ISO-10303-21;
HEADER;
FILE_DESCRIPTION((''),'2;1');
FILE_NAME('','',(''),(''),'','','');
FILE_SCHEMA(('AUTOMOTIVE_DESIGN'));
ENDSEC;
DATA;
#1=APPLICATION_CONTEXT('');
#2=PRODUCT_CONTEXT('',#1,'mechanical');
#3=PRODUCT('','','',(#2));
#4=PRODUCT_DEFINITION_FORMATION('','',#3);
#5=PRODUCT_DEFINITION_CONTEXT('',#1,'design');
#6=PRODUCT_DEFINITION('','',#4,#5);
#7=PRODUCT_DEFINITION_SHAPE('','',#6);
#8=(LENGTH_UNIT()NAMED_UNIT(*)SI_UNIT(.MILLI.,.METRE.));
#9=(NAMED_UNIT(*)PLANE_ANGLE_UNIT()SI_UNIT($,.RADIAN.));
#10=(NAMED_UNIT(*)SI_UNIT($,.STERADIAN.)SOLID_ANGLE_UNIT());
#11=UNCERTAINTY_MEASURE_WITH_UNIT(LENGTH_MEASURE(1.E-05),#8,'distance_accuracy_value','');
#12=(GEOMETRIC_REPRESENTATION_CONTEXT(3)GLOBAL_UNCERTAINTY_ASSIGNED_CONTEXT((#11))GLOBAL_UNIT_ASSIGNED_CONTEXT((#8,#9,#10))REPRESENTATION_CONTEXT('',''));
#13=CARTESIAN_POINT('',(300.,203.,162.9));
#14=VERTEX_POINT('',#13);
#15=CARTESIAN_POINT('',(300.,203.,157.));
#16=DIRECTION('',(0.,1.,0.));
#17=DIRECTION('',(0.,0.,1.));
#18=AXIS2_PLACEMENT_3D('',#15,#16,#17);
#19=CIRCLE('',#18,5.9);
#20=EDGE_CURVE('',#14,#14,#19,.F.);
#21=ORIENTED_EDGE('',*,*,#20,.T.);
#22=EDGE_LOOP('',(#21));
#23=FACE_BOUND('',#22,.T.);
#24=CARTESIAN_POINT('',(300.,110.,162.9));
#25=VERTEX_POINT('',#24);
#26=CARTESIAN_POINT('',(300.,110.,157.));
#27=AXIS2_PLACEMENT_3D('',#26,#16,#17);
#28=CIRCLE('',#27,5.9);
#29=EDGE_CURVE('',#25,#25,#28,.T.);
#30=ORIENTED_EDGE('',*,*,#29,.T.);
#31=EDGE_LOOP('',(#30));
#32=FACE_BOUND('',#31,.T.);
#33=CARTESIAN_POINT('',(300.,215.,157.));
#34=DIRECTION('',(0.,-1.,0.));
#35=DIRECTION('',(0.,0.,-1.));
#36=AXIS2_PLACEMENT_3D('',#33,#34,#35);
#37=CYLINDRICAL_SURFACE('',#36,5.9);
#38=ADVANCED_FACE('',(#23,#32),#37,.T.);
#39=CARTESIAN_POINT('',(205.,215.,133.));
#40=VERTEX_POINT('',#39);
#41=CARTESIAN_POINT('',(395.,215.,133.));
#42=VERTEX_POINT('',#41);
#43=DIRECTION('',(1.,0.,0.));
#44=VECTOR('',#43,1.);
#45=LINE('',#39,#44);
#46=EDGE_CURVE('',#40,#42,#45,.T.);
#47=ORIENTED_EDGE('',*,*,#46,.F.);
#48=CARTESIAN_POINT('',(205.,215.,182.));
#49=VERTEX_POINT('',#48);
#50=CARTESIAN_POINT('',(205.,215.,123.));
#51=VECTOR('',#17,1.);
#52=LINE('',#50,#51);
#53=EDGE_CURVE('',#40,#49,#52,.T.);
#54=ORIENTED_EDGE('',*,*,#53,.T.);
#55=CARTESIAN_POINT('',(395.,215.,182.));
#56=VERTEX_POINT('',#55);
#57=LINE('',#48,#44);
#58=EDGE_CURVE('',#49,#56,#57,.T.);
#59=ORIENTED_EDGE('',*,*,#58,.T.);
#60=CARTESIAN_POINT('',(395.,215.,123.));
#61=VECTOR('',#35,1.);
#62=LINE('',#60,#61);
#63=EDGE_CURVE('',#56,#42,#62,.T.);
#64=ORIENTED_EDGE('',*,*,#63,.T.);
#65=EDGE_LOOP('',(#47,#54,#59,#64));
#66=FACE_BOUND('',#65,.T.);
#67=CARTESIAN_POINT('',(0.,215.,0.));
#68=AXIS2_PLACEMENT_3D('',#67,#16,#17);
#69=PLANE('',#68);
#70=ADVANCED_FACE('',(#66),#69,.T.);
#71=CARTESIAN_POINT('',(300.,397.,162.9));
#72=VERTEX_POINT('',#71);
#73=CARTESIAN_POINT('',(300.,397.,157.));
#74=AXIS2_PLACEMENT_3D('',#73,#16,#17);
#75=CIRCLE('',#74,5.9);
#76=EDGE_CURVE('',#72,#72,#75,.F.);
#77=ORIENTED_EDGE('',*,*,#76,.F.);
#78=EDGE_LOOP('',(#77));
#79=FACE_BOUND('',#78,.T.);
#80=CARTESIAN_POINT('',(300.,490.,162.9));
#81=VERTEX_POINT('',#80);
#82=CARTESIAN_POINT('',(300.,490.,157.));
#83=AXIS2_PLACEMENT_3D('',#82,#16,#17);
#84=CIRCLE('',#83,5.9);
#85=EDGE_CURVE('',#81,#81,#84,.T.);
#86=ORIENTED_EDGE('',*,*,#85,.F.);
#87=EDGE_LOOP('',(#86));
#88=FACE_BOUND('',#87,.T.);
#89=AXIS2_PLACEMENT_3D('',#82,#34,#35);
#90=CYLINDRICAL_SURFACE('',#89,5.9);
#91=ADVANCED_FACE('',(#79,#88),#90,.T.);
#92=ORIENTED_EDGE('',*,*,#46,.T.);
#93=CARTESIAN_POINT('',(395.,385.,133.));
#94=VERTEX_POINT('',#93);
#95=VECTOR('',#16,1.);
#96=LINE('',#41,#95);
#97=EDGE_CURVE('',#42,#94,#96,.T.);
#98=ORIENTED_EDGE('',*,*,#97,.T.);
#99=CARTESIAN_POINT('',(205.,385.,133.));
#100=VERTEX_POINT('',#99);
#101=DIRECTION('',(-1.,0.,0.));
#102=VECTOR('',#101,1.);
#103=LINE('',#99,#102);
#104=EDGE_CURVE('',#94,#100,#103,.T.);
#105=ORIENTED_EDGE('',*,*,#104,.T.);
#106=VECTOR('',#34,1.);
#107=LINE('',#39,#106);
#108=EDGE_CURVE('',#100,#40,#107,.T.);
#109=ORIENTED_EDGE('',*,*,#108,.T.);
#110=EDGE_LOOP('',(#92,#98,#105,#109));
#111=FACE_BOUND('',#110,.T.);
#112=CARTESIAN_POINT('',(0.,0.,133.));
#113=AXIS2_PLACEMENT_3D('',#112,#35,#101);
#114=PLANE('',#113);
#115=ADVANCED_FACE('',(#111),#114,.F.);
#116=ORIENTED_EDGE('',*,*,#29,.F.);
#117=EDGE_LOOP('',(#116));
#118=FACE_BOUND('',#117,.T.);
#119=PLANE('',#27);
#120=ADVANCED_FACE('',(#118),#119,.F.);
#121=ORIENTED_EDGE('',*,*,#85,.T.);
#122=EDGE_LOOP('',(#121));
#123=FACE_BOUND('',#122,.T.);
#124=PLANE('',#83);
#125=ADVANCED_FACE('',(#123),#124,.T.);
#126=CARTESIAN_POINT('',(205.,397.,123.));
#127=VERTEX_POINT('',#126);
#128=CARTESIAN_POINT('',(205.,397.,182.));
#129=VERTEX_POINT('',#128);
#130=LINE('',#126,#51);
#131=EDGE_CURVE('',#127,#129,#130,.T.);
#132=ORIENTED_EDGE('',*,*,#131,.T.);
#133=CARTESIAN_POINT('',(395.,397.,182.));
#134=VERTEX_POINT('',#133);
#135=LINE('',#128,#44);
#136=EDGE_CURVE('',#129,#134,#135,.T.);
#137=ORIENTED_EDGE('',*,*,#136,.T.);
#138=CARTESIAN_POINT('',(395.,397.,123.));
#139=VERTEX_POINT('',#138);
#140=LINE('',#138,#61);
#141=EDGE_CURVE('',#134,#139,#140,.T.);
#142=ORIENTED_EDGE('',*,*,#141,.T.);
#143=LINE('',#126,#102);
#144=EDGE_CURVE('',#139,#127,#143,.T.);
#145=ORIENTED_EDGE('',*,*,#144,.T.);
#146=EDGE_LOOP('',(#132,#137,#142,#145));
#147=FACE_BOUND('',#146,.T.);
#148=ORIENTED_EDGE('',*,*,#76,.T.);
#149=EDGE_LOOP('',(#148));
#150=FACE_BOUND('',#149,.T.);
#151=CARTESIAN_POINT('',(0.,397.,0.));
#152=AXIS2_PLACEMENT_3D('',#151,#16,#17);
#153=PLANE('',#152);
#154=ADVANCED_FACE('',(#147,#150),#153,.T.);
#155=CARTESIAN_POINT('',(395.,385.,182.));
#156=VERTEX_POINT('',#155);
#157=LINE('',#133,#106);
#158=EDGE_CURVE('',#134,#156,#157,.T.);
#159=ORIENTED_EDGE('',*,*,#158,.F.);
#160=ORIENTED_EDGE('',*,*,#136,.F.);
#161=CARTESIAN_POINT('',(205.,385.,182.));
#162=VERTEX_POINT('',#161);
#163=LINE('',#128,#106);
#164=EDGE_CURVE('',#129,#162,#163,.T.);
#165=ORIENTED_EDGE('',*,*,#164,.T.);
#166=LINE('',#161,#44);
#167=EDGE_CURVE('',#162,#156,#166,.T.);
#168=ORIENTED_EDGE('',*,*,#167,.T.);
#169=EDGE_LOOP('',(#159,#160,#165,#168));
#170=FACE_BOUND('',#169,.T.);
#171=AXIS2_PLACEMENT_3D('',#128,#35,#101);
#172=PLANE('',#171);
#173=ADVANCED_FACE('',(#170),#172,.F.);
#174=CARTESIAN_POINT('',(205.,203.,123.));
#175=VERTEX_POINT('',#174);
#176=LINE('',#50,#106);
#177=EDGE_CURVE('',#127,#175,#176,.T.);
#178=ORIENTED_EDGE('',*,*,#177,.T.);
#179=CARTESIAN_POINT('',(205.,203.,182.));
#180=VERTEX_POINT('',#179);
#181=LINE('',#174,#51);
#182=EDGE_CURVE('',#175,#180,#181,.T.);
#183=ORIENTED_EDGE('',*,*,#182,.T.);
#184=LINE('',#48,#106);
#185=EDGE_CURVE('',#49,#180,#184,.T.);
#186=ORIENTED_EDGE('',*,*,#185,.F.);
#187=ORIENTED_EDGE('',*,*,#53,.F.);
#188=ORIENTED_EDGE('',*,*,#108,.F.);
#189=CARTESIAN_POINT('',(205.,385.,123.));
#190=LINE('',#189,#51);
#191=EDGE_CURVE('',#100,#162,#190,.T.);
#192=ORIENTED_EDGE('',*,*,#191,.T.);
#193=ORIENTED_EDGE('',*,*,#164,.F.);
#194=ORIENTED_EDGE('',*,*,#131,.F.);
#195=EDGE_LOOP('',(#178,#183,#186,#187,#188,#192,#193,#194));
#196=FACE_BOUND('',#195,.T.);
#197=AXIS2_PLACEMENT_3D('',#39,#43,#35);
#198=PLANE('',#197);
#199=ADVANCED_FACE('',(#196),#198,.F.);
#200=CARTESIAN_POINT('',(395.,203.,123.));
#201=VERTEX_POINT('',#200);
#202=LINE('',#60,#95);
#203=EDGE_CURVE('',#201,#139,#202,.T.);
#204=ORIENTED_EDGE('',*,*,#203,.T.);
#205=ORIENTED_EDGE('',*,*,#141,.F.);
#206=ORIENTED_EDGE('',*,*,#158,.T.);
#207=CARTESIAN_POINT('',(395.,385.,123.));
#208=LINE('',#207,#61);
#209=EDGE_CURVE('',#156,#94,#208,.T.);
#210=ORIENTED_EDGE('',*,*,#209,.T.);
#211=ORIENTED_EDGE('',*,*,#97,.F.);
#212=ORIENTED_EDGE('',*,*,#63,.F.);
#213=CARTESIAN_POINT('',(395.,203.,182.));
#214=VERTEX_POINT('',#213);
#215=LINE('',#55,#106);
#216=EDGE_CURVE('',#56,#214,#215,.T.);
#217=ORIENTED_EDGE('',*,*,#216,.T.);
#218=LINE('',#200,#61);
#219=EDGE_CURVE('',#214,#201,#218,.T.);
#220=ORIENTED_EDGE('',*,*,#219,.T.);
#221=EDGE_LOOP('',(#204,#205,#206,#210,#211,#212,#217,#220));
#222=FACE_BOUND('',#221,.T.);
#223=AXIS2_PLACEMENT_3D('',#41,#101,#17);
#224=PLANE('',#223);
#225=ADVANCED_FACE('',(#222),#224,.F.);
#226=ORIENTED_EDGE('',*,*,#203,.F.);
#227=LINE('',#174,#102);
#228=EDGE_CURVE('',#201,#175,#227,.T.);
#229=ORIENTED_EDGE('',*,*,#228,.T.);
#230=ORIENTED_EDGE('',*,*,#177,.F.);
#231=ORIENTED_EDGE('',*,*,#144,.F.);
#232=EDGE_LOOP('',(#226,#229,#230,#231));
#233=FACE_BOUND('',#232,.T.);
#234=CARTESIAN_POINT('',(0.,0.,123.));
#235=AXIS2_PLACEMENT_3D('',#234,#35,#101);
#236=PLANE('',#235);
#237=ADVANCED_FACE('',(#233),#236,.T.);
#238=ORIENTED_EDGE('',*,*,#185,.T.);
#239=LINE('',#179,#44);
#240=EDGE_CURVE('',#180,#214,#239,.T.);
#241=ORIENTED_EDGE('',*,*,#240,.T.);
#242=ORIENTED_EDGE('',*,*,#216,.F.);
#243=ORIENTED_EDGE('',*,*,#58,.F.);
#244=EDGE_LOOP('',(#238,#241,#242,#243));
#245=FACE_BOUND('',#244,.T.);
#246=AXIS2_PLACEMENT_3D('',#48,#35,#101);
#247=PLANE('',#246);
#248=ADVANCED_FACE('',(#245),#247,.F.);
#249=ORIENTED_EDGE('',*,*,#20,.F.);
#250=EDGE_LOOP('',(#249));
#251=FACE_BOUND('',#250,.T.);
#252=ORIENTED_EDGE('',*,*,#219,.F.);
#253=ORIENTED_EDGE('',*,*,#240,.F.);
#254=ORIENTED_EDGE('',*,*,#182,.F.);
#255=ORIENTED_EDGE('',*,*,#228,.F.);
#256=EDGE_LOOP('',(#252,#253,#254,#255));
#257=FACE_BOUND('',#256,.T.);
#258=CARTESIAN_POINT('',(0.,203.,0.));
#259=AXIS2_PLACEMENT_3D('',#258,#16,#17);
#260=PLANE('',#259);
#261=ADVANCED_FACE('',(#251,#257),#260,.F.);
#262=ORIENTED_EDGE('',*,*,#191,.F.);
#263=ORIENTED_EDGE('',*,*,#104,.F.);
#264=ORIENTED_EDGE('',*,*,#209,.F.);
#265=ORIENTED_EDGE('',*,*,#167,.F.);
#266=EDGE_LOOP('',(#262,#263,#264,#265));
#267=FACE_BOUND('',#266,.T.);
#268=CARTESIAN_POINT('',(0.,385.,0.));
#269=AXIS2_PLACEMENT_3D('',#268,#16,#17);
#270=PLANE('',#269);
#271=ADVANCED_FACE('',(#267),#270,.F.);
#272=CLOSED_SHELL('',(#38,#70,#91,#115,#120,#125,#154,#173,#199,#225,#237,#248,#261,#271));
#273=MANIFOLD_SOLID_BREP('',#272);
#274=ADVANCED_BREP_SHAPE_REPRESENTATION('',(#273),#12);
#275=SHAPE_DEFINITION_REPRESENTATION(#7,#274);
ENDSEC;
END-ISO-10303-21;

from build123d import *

# Parameters (mm, degrees)
SKETCH1_W           = 190
SKETCH1_H           = 170
BOSS_EXTRUDE1_DEPTH = 10
SKETCH2_W           = 190
SKETCH2_H           = 59
BOSS_EXTRUDE2_DEPTH = 12
SKETCH3_W           = 190
SKETCH3_H           = 59
BOSS_EXTRUDE3_DEPTH = 12
SKETCH4_R           = 5.9
BOSS_EXTRUDE4_DEPTH = 105
SKETCH5_R           = 5.9
BOSS_EXTRUDE5_DEPTH = 105


with BuildPart() as part:
    # Sketch1 → Boss-Extrude1 (new body)
    with BuildSketch(Plane.XY.offset(123)):
        with Locations((300, 300)):
            Rectangle(SKETCH1_W, SKETCH1_H)
    extrude(amount=BOSS_EXTRUDE1_DEPTH)

    # Sketch2 → Boss-Extrude2 (add)
    with BuildSketch(Plane(origin=(0, 385, 0), x_dir=(1, 0, 0), z_dir=(0, 1, 0))):
        with Locations((300, -152.5)):
            Rectangle(SKETCH2_W, SKETCH2_H)
    extrude(amount=BOSS_EXTRUDE2_DEPTH)

    # Sketch3 → Boss-Extrude3 (add)
    with BuildSketch(Plane(origin=(0, 203, 0), x_dir=(1, 0, 0), z_dir=(0, 1, 0))):
        with Locations((300, -152.5)):
            Rectangle(SKETCH3_W, SKETCH3_H)
    extrude(amount=BOSS_EXTRUDE3_DEPTH)

    # Sketch4 → Boss-Extrude4 (add)
    with BuildSketch(Plane(origin=(0, 385, 0), x_dir=(1, 0, 0), z_dir=(0, 1, 0))):
        with Locations(Location((300, -157, 0), (0, 0, 270))):
            Circle(SKETCH4_R)
    extrude(amount=BOSS_EXTRUDE4_DEPTH)

    # Sketch5 → Boss-Extrude5 (add)
    with BuildSketch(Plane(origin=(0, 110, 0), x_dir=(1, 0, 0), z_dir=(0, 1, 0))):
        with Locations(Location((300, -157, 0), (0, 0, 270))):
            Circle(SKETCH5_R)
    extrude(amount=BOSS_EXTRUDE5_DEPTH)


solid = part.part
